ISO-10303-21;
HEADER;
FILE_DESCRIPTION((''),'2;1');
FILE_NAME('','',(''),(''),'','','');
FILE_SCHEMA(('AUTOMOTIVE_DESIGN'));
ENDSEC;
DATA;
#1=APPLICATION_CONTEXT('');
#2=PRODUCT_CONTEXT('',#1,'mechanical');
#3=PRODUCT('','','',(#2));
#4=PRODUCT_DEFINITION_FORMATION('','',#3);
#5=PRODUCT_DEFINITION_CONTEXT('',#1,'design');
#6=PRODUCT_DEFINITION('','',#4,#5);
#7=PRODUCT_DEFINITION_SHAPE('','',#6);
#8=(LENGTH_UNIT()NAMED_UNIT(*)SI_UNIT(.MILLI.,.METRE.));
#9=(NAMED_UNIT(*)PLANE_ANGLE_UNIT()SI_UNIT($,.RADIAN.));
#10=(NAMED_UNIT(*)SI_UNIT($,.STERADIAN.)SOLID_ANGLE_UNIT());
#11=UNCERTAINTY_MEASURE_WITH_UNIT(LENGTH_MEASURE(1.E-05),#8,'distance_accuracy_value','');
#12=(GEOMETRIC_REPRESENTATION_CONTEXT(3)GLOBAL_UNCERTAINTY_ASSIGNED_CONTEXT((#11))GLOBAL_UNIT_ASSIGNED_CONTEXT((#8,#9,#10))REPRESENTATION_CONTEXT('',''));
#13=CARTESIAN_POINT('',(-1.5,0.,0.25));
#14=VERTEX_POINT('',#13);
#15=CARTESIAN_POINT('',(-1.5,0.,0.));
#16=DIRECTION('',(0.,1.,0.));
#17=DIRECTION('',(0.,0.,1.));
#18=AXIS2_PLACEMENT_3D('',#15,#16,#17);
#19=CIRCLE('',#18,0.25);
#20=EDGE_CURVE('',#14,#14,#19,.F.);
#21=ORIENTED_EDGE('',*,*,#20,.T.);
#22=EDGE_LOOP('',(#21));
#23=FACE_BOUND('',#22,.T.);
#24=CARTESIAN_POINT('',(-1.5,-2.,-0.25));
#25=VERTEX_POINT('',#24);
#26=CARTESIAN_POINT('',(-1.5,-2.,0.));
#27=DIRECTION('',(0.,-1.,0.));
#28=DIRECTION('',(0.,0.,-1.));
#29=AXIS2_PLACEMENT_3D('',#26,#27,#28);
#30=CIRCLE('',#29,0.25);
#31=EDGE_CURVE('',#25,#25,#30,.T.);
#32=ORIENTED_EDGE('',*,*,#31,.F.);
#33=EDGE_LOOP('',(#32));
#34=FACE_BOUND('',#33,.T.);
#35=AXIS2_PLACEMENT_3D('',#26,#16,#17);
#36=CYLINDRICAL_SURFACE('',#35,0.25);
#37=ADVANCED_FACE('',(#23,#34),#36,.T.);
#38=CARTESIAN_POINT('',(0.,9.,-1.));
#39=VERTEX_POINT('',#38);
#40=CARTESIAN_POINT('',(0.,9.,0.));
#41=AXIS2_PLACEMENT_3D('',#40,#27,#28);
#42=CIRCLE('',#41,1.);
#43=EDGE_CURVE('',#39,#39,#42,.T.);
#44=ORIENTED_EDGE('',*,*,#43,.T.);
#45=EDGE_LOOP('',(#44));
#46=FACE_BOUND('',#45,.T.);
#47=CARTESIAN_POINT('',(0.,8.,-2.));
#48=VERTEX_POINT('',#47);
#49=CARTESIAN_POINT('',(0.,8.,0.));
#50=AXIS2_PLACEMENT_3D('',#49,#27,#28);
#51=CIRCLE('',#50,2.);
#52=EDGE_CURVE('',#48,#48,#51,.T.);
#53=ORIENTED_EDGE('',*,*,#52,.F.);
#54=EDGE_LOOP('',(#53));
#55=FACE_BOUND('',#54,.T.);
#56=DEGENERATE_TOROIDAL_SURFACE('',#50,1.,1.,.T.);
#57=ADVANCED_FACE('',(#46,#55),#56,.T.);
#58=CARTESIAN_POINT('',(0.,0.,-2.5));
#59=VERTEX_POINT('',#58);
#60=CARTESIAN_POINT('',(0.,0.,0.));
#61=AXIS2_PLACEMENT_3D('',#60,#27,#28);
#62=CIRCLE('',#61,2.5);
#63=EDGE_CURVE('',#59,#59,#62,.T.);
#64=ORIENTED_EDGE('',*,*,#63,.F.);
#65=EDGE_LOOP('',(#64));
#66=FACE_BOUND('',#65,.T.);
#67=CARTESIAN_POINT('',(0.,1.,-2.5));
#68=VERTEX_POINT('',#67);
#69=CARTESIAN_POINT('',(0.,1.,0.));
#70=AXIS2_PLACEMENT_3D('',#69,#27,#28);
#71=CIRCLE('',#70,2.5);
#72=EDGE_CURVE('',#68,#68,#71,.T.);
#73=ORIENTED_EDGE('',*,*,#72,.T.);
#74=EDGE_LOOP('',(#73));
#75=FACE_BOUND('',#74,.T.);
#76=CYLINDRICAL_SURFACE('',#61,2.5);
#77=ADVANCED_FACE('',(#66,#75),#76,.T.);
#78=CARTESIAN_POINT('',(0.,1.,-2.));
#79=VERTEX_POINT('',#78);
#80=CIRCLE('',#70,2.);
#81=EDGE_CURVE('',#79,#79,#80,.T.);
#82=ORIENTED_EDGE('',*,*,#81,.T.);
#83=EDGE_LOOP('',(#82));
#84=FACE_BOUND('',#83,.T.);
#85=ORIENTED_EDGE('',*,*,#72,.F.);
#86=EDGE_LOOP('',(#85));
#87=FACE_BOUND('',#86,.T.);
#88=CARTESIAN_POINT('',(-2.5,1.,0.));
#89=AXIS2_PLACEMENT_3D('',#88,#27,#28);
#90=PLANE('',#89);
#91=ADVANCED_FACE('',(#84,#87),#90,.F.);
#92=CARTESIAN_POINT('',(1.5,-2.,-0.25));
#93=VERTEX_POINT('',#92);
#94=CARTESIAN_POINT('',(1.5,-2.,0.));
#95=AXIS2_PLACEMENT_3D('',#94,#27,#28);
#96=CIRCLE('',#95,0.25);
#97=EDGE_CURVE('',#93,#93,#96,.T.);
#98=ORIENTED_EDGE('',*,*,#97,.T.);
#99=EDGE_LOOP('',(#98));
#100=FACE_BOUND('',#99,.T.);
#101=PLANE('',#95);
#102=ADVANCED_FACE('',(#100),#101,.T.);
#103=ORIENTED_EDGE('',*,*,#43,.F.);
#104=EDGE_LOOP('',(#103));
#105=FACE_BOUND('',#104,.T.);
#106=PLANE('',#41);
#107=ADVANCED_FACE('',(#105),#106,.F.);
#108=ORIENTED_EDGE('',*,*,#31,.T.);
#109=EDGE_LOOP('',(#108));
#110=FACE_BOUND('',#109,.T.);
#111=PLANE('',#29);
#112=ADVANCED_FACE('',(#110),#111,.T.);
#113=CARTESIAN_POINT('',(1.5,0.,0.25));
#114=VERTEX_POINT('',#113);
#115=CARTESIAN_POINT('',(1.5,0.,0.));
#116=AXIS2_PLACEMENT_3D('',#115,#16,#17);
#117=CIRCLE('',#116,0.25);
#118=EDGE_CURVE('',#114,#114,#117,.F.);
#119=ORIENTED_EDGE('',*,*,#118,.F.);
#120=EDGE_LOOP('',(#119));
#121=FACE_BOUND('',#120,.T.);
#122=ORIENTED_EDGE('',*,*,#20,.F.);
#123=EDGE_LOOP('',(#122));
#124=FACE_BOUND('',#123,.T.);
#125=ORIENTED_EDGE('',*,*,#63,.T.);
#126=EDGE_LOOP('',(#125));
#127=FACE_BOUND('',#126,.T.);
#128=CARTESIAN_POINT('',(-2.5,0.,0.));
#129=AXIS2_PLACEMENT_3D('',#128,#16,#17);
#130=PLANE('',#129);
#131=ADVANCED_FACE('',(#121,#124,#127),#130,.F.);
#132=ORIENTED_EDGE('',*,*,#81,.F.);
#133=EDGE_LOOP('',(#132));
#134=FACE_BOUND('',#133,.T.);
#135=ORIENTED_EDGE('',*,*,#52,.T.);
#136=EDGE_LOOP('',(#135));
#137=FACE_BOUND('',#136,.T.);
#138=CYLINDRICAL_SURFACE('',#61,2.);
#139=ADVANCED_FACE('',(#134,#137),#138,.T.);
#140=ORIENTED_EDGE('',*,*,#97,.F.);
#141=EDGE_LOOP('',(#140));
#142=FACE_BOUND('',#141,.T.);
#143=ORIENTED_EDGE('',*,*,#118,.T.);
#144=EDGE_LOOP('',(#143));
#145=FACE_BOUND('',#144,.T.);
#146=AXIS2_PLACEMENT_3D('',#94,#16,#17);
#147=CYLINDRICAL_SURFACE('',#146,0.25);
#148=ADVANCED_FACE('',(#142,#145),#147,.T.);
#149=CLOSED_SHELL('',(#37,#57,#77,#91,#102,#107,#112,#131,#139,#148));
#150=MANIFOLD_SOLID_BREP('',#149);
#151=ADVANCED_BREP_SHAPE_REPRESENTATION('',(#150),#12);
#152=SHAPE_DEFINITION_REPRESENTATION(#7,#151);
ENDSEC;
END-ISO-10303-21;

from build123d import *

# Parameters (mm, degrees)
SKETCH2_R           = 0.25
BOSS_EXTRUDE1_DEPTH = 2


with BuildPart() as part:
    # Sketch1 → Revolve1 (revolve)
    with BuildSketch(Plane.XY, mode=Mode.PRIVATE) as revolve1_sk:
        with BuildLine():
            Line((0, 0), (0, 9))
            Line((0, 9), (-1, 9))
            ThreePointArc((-1, 9), (-1.707106781, 8.707106781), (-2, 8))
            Line((-2, 8), (-2, 6))
            Line((-2, 6), (-2, 1))
            Line((-2, 1), (-2.5, 1))
            Line((-2.5, 1), (-2.5, 0))
            Line((-2.5, 0), (0, 0))
        make_face()
    revolve(revolve1_sk.sketch.rotate(Axis((0, 0, 0), (0, 1, 0)), 270), axis=Axis((0, 0, 0), (0, 1, 0)))

    # Sketch2 → Boss-Extrude1 (add)
    with BuildSketch(Plane.XZ):
        with Locations(Location((1.5, 0, 0), (0, 0, 90))):
            Circle(SKETCH2_R)
        with Locations(Location((-1.5, 0, 0), (0, 0, 90))):
            Circle(SKETCH2_R)
    extrude(amount=BOSS_EXTRUDE1_DEPTH)


solid = part.part
